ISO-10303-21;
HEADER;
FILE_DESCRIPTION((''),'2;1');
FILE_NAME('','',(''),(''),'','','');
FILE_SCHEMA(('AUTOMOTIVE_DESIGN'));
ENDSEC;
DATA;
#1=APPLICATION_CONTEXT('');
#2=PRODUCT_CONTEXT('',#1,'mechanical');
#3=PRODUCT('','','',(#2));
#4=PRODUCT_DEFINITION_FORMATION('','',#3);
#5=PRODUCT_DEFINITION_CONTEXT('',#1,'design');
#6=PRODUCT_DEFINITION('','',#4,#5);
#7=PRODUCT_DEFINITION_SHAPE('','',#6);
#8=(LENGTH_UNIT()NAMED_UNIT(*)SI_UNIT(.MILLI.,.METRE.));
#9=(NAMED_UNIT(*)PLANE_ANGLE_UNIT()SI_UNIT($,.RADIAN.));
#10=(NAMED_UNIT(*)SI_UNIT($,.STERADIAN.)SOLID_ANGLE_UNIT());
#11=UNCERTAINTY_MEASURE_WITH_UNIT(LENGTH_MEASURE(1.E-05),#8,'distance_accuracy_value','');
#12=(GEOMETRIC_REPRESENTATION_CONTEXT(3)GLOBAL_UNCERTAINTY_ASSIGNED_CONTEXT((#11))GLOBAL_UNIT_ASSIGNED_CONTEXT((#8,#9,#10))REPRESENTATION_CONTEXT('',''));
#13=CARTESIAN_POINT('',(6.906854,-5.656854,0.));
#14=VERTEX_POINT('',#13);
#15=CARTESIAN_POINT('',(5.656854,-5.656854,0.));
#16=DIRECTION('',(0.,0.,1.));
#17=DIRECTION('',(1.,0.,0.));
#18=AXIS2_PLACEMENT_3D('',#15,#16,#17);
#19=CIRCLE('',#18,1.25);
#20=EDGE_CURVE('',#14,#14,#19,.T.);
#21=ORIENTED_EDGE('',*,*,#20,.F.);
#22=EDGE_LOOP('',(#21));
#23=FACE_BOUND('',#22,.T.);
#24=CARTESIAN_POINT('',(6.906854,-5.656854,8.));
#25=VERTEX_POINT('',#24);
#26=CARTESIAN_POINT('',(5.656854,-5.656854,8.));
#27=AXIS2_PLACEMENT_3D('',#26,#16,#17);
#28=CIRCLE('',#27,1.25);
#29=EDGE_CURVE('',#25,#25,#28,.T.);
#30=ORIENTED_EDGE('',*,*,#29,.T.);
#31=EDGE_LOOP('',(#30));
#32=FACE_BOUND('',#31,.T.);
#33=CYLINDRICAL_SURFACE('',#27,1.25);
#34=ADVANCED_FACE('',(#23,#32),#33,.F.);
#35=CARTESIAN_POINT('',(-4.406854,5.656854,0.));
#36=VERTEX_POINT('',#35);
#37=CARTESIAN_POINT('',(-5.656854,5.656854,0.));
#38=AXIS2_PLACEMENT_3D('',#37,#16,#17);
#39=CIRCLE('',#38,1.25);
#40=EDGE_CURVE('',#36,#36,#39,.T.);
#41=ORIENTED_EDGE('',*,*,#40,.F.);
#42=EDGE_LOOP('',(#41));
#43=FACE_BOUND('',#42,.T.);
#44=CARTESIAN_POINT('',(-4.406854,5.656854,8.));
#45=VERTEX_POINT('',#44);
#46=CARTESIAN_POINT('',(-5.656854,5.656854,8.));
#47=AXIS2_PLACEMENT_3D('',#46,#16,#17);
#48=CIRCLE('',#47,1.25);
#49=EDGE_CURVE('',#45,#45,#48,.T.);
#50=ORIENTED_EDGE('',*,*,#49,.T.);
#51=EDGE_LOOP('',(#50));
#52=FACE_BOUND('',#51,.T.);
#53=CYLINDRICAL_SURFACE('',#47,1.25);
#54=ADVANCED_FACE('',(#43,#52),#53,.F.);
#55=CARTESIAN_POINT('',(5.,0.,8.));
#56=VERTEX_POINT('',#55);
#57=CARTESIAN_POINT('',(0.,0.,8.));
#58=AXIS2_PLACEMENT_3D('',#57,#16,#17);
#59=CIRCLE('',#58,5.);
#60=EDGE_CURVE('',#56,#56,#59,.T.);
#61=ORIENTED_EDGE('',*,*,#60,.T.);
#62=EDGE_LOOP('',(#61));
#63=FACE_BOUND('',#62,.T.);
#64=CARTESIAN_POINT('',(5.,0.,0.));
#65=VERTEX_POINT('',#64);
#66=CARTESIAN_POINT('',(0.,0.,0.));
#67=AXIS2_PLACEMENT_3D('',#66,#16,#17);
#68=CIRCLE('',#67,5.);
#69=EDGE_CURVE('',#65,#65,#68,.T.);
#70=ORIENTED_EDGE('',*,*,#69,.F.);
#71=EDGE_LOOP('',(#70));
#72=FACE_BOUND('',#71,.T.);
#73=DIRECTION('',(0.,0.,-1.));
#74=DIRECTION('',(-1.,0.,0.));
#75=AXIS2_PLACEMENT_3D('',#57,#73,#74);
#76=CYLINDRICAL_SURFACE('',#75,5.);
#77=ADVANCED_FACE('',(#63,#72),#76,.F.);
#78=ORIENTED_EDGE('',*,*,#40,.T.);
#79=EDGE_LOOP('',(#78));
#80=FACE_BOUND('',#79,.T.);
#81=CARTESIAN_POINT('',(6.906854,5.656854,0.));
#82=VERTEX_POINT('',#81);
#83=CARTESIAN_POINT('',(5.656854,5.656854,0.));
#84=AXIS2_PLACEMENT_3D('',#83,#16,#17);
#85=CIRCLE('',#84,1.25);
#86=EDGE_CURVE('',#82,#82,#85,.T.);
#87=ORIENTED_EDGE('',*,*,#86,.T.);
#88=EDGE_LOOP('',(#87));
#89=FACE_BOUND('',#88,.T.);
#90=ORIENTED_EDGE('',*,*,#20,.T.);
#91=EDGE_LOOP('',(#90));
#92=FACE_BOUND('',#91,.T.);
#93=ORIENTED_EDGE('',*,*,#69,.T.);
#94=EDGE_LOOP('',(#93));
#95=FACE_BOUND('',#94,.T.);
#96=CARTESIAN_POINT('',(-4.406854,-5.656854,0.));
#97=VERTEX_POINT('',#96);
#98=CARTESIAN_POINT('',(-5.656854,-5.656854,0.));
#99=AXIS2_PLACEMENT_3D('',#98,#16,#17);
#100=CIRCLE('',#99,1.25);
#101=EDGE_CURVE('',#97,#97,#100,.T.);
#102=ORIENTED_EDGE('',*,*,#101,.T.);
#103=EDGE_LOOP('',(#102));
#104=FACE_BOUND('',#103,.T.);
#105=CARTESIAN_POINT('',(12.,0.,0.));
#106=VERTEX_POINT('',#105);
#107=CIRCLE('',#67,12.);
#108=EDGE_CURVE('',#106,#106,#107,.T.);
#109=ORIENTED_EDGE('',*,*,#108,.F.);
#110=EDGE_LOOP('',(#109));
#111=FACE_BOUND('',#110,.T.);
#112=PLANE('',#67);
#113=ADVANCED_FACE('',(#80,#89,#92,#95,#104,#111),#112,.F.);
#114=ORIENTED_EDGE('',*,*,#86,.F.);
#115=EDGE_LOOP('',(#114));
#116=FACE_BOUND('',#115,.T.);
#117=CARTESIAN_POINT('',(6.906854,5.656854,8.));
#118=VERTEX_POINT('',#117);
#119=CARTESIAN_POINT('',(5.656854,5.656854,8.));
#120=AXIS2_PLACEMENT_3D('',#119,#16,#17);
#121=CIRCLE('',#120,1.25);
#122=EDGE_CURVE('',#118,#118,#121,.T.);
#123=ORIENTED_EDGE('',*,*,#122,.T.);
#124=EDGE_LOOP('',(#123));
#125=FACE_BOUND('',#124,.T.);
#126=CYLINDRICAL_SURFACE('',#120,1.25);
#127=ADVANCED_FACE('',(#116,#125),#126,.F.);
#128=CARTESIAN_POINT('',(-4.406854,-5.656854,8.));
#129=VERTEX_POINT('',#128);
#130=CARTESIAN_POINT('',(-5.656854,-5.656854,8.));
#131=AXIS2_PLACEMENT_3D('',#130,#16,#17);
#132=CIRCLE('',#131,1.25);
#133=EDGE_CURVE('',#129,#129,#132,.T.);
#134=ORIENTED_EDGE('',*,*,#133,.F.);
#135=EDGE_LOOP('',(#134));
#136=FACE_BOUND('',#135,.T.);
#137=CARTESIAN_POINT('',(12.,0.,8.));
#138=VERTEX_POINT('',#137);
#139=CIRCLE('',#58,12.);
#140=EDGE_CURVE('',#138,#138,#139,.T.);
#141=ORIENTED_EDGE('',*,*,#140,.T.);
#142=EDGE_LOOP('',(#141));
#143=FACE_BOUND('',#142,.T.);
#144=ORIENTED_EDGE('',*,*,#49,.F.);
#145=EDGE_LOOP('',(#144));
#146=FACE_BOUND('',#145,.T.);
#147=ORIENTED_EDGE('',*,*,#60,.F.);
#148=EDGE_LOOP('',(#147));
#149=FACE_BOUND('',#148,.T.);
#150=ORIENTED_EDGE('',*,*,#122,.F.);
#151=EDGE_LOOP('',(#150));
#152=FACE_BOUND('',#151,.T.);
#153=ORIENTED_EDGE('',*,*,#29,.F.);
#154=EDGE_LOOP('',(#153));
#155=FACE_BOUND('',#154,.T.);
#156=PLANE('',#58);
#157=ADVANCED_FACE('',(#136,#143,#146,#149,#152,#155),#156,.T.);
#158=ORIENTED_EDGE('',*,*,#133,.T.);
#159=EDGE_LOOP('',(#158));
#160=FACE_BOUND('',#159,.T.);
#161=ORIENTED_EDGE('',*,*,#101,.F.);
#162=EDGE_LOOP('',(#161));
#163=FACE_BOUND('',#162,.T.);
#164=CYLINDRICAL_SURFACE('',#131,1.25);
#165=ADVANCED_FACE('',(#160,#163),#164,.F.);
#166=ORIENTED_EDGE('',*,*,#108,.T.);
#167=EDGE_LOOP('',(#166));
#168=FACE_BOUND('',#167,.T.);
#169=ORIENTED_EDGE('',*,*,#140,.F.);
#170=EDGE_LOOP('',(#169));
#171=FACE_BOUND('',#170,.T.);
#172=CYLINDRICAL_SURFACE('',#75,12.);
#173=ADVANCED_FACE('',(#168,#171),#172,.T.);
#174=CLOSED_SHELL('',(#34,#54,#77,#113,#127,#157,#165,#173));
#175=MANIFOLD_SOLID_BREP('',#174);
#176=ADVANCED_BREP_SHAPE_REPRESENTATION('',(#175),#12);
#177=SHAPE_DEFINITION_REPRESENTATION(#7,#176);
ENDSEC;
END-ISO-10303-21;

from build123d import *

# Parameters (mm, degrees)
D52_D29_5_8_2_R                    = 26
D52_D29_5_8_2_R_2                  = 14.75
D52_D29_5_8_DEPTH                  = 8
D10_D24_8_2_R                      = 12
D10_D24_8_2_R_2                    = 5
D10_D24_8_DEPTH                    = 8
F_6XD3_4_D6_5_3_3_PCD42_AT_2_COUNT = 2
F_6XD3_4_D6_5_3_3_PCD42_AT_2_PITCH = 21
F_6XD3_4_D6_5_3_3_PCD42_AT_3_COUNT = 2
F_6XD3_4_D6_5_3_3_PCD42_AT_3_PITCH = 36.373066959
F_6XD3_4_D6_5_3_3_PCD42_AT_4_COUNT = 2
F_6XD3_4_D6_5_3_3_PCD42_AT_4_PITCH = 42
F_6XD3_4_D6_5_3_3_PCD42_AT_5_COUNT = 2
F_6XD3_4_D6_5_3_3_PCD42_AT_5_PITCH = 36.373066959
F_6XD3_4_D6_5_3_3_PCD42_AT_6_COUNT = 2
F_6XD3_4_D6_5_3_3_PCD42_AT_6_PITCH = 21
SKETCH_6_W                         = 1.25
SKETCH_6_H                         = 8
F_4XM3X0_5_PCD16_AT_2_COUNT        = 2
F_4XM3X0_5_PCD16_AT_2_PITCH        = 11.313708499
F_4XM3X0_5_PCD16_AT_3_COUNT        = 2
F_4XM3X0_5_PCD16_AT_3_PITCH        = 16
F_4XM3X0_5_PCD16_AT_4_COUNT        = 2
F_4XM3X0_5_PCD16_AT_4_PITCH        = 11.313708499
EXTRUDE_START                      = 7.25
SKETCH_2072_R                      = 14.7
SKETCH_2072_R_2                    = 12.08
EXTRUDE_2083_DEPTH                 = 0.55
EXTRUDE_START_2                    = 0.2
SKETCH_2120_R                      = 14.7
SKETCH_2120_R_2                    = 12.08
EXTRUDE_2131_DEPTH                 = 0.55


with BuildPart() as part:
    # D52__D29.5__8 2 → D52__D29.5__8 (new body)
    with BuildSketch(Plane.XY):
        Circle(D52_D29_5_8_2_R)
        Circle(D52_D29_5_8_2_R_2, mode=Mode.SUBTRACT)
    extrude(amount=D52_D29_5_8_DEPTH)

    # 草图4 → 外圈_6xD3.4通孔_D6.5沉孔深3.3_PCD42 (revolve, cut)
    with BuildSketch(Plane(origin=(18.186533479, 10.5, 8), x_dir=(0, -1, 0), z_dir=(1, 0, 0))):
        Polygon((0, 0), (0, 8), (1.7, 8), (1.7, 3.3), (3.25, 3.3), (3.25, 0), align=None)
    f_6xd3_4_d6_5_3_3_pcd42 = revolve(axis=Axis((18.186533479, 10.5, 14.35), (0, 0, -1)), mode=Mode.SUBTRACT)

    # 外圈_6xD3.4通孔_D6.5沉孔深3.3_PCD42 at 2: 外圈_6xD3.4通孔_D6.5沉孔深3.3_PCD42 ×2
    with Locations(*[(0, -i * F_6XD3_4_D6_5_3_3_PCD42_AT_2_PITCH, 0) for i in range(1, F_6XD3_4_D6_5_3_3_PCD42_AT_2_COUNT)]):
        add(f_6xd3_4_d6_5_3_3_pcd42, mode=Mode.SUBTRACT)

    # 外圈_6xD3.4通孔_D6.5沉孔深3.3_PCD42 at 3: 外圈_6xD3.4通孔_D6.5沉孔深3.3_PCD42 ×2
    with Locations(*[Vector(-0.5000000000000001, -0.8660254037844386, 0) * (i * F_6XD3_4_D6_5_3_3_PCD42_AT_3_PITCH) for i in range(1, F_6XD3_4_D6_5_3_3_PCD42_AT_3_COUNT)]):
        add(f_6xd3_4_d6_5_3_3_pcd42, mode=Mode.SUBTRACT)

    # 外圈_6xD3.4通孔_D6.5沉孔深3.3_PCD42 at 4: 外圈_6xD3.4通孔_D6.5沉孔深3.3_PCD42 ×2
    with Locations(*[Vector(-0.8660254037844387, -0.49999999999999983, 0) * (i * F_6XD3_4_D6_5_3_3_PCD42_AT_4_PITCH) for i in range(1, F_6XD3_4_D6_5_3_3_PCD42_AT_4_COUNT)]):
        add(f_6xd3_4_d6_5_3_3_pcd42, mode=Mode.SUBTRACT)

    # 外圈_6xD3.4通孔_D6.5沉孔深3.3_PCD42 at 5: 外圈_6xD3.4通孔_D6.5沉孔深3.3_PCD42 ×2
    with Locations(*[(-i * F_6XD3_4_D6_5_3_3_PCD42_AT_5_PITCH, 0, 0) for i in range(1, F_6XD3_4_D6_5_3_3_PCD42_AT_5_COUNT)]):
        add(f_6xd3_4_d6_5_3_3_pcd42, mode=Mode.SUBTRACT)

    # 外圈_6xD3.4通孔_D6.5沉孔深3.3_PCD42 at 6: 外圈_6xD3.4通孔_D6.5沉孔深3.3_PCD42 ×2
    with Locations(*[Vector(-0.8660254037844387, 0.5, 0) * (i * F_6XD3_4_D6_5_3_3_PCD42_AT_6_PITCH) for i in range(1, F_6XD3_4_D6_5_3_3_PCD42_AT_6_COUNT)]):
        add(f_6xd3_4_d6_5_3_3_pcd42, mode=Mode.SUBTRACT)


with BuildPart() as body_2:
    # D10__D24__8 2 → D10__D24__8 (new body)
    with BuildSketch(Plane.XY):
        Circle(D10_D24_8_2_R)
        Circle(D10_D24_8_2_R_2, mode=Mode.SUBTRACT)
    extrude(amount=D10_D24_8_DEPTH)

    # 草图6 → 内圈_4xM3x0.5通螺纹_PCD16 (revolve, cut)
    with BuildSketch(Plane(origin=(5.656854249, -5.656854249, 8), x_dir=(0, -1, 0), z_dir=(1, 0, 0))):
        with Locations((0.625, 4)):
            Rectangle(SKETCH_6_W, SKETCH_6_H)
    f_4xm3x0_5_pcd16 = revolve(axis=Axis((5.656854249, -5.656854249, 14.35), (0, 0, -1)), mode=Mode.SUBTRACT)

    # 内圈_4xM3x0.5通螺纹_PCD16 at 2: 内圈_4xM3x0.5通螺纹_PCD16 ×2
    with Locations(*[(-i * F_4XM3X0_5_PCD16_AT_2_PITCH, 0, 0) for i in range(1, F_4XM3X0_5_PCD16_AT_2_COUNT)]):
        add(f_4xm3x0_5_pcd16, mode=Mode.SUBTRACT)

    # 内圈_4xM3x0.5通螺纹_PCD16 at 3: 内圈_4xM3x0.5通螺纹_PCD16 ×2
    with Locations(*[Vector(-0.7071067811865475, 0.7071067811865477, 0) * (i * F_4XM3X0_5_PCD16_AT_3_PITCH) for i in range(1, F_4XM3X0_5_PCD16_AT_3_COUNT)]):
        add(f_4xm3x0_5_pcd16, mode=Mode.SUBTRACT)

    # 内圈_4xM3x0.5通螺纹_PCD16 at 4: 内圈_4xM3x0.5通螺纹_PCD16 ×2
    with Locations(*[(0, i * F_4XM3X0_5_PCD16_AT_4_PITCH, 0) for i in range(1, F_4XM3X0_5_PCD16_AT_4_COUNT)]):
        add(f_4xm3x0_5_pcd16, mode=Mode.SUBTRACT)


with BuildPart() as body_3:
    # Sketch 2072 → Extrude 2083 (new body)
    with BuildSketch(Plane.XY.offset(EXTRUDE_START)):
        Circle(SKETCH_2072_R)
        Circle(SKETCH_2072_R_2, mode=Mode.SUBTRACT)
    extrude(amount=EXTRUDE_2083_DEPTH)


with BuildPart() as body_4:
    # Sketch 2120 → Extrude 2131 (new body)
    with BuildSketch(Plane.XY.offset(EXTRUDE_START_2)):
        Circle(SKETCH_2120_R)
        Circle(SKETCH_2120_R_2, mode=Mode.SUBTRACT)
    extrude(amount=EXTRUDE_2131_DEPTH)


solid = body_2.part
